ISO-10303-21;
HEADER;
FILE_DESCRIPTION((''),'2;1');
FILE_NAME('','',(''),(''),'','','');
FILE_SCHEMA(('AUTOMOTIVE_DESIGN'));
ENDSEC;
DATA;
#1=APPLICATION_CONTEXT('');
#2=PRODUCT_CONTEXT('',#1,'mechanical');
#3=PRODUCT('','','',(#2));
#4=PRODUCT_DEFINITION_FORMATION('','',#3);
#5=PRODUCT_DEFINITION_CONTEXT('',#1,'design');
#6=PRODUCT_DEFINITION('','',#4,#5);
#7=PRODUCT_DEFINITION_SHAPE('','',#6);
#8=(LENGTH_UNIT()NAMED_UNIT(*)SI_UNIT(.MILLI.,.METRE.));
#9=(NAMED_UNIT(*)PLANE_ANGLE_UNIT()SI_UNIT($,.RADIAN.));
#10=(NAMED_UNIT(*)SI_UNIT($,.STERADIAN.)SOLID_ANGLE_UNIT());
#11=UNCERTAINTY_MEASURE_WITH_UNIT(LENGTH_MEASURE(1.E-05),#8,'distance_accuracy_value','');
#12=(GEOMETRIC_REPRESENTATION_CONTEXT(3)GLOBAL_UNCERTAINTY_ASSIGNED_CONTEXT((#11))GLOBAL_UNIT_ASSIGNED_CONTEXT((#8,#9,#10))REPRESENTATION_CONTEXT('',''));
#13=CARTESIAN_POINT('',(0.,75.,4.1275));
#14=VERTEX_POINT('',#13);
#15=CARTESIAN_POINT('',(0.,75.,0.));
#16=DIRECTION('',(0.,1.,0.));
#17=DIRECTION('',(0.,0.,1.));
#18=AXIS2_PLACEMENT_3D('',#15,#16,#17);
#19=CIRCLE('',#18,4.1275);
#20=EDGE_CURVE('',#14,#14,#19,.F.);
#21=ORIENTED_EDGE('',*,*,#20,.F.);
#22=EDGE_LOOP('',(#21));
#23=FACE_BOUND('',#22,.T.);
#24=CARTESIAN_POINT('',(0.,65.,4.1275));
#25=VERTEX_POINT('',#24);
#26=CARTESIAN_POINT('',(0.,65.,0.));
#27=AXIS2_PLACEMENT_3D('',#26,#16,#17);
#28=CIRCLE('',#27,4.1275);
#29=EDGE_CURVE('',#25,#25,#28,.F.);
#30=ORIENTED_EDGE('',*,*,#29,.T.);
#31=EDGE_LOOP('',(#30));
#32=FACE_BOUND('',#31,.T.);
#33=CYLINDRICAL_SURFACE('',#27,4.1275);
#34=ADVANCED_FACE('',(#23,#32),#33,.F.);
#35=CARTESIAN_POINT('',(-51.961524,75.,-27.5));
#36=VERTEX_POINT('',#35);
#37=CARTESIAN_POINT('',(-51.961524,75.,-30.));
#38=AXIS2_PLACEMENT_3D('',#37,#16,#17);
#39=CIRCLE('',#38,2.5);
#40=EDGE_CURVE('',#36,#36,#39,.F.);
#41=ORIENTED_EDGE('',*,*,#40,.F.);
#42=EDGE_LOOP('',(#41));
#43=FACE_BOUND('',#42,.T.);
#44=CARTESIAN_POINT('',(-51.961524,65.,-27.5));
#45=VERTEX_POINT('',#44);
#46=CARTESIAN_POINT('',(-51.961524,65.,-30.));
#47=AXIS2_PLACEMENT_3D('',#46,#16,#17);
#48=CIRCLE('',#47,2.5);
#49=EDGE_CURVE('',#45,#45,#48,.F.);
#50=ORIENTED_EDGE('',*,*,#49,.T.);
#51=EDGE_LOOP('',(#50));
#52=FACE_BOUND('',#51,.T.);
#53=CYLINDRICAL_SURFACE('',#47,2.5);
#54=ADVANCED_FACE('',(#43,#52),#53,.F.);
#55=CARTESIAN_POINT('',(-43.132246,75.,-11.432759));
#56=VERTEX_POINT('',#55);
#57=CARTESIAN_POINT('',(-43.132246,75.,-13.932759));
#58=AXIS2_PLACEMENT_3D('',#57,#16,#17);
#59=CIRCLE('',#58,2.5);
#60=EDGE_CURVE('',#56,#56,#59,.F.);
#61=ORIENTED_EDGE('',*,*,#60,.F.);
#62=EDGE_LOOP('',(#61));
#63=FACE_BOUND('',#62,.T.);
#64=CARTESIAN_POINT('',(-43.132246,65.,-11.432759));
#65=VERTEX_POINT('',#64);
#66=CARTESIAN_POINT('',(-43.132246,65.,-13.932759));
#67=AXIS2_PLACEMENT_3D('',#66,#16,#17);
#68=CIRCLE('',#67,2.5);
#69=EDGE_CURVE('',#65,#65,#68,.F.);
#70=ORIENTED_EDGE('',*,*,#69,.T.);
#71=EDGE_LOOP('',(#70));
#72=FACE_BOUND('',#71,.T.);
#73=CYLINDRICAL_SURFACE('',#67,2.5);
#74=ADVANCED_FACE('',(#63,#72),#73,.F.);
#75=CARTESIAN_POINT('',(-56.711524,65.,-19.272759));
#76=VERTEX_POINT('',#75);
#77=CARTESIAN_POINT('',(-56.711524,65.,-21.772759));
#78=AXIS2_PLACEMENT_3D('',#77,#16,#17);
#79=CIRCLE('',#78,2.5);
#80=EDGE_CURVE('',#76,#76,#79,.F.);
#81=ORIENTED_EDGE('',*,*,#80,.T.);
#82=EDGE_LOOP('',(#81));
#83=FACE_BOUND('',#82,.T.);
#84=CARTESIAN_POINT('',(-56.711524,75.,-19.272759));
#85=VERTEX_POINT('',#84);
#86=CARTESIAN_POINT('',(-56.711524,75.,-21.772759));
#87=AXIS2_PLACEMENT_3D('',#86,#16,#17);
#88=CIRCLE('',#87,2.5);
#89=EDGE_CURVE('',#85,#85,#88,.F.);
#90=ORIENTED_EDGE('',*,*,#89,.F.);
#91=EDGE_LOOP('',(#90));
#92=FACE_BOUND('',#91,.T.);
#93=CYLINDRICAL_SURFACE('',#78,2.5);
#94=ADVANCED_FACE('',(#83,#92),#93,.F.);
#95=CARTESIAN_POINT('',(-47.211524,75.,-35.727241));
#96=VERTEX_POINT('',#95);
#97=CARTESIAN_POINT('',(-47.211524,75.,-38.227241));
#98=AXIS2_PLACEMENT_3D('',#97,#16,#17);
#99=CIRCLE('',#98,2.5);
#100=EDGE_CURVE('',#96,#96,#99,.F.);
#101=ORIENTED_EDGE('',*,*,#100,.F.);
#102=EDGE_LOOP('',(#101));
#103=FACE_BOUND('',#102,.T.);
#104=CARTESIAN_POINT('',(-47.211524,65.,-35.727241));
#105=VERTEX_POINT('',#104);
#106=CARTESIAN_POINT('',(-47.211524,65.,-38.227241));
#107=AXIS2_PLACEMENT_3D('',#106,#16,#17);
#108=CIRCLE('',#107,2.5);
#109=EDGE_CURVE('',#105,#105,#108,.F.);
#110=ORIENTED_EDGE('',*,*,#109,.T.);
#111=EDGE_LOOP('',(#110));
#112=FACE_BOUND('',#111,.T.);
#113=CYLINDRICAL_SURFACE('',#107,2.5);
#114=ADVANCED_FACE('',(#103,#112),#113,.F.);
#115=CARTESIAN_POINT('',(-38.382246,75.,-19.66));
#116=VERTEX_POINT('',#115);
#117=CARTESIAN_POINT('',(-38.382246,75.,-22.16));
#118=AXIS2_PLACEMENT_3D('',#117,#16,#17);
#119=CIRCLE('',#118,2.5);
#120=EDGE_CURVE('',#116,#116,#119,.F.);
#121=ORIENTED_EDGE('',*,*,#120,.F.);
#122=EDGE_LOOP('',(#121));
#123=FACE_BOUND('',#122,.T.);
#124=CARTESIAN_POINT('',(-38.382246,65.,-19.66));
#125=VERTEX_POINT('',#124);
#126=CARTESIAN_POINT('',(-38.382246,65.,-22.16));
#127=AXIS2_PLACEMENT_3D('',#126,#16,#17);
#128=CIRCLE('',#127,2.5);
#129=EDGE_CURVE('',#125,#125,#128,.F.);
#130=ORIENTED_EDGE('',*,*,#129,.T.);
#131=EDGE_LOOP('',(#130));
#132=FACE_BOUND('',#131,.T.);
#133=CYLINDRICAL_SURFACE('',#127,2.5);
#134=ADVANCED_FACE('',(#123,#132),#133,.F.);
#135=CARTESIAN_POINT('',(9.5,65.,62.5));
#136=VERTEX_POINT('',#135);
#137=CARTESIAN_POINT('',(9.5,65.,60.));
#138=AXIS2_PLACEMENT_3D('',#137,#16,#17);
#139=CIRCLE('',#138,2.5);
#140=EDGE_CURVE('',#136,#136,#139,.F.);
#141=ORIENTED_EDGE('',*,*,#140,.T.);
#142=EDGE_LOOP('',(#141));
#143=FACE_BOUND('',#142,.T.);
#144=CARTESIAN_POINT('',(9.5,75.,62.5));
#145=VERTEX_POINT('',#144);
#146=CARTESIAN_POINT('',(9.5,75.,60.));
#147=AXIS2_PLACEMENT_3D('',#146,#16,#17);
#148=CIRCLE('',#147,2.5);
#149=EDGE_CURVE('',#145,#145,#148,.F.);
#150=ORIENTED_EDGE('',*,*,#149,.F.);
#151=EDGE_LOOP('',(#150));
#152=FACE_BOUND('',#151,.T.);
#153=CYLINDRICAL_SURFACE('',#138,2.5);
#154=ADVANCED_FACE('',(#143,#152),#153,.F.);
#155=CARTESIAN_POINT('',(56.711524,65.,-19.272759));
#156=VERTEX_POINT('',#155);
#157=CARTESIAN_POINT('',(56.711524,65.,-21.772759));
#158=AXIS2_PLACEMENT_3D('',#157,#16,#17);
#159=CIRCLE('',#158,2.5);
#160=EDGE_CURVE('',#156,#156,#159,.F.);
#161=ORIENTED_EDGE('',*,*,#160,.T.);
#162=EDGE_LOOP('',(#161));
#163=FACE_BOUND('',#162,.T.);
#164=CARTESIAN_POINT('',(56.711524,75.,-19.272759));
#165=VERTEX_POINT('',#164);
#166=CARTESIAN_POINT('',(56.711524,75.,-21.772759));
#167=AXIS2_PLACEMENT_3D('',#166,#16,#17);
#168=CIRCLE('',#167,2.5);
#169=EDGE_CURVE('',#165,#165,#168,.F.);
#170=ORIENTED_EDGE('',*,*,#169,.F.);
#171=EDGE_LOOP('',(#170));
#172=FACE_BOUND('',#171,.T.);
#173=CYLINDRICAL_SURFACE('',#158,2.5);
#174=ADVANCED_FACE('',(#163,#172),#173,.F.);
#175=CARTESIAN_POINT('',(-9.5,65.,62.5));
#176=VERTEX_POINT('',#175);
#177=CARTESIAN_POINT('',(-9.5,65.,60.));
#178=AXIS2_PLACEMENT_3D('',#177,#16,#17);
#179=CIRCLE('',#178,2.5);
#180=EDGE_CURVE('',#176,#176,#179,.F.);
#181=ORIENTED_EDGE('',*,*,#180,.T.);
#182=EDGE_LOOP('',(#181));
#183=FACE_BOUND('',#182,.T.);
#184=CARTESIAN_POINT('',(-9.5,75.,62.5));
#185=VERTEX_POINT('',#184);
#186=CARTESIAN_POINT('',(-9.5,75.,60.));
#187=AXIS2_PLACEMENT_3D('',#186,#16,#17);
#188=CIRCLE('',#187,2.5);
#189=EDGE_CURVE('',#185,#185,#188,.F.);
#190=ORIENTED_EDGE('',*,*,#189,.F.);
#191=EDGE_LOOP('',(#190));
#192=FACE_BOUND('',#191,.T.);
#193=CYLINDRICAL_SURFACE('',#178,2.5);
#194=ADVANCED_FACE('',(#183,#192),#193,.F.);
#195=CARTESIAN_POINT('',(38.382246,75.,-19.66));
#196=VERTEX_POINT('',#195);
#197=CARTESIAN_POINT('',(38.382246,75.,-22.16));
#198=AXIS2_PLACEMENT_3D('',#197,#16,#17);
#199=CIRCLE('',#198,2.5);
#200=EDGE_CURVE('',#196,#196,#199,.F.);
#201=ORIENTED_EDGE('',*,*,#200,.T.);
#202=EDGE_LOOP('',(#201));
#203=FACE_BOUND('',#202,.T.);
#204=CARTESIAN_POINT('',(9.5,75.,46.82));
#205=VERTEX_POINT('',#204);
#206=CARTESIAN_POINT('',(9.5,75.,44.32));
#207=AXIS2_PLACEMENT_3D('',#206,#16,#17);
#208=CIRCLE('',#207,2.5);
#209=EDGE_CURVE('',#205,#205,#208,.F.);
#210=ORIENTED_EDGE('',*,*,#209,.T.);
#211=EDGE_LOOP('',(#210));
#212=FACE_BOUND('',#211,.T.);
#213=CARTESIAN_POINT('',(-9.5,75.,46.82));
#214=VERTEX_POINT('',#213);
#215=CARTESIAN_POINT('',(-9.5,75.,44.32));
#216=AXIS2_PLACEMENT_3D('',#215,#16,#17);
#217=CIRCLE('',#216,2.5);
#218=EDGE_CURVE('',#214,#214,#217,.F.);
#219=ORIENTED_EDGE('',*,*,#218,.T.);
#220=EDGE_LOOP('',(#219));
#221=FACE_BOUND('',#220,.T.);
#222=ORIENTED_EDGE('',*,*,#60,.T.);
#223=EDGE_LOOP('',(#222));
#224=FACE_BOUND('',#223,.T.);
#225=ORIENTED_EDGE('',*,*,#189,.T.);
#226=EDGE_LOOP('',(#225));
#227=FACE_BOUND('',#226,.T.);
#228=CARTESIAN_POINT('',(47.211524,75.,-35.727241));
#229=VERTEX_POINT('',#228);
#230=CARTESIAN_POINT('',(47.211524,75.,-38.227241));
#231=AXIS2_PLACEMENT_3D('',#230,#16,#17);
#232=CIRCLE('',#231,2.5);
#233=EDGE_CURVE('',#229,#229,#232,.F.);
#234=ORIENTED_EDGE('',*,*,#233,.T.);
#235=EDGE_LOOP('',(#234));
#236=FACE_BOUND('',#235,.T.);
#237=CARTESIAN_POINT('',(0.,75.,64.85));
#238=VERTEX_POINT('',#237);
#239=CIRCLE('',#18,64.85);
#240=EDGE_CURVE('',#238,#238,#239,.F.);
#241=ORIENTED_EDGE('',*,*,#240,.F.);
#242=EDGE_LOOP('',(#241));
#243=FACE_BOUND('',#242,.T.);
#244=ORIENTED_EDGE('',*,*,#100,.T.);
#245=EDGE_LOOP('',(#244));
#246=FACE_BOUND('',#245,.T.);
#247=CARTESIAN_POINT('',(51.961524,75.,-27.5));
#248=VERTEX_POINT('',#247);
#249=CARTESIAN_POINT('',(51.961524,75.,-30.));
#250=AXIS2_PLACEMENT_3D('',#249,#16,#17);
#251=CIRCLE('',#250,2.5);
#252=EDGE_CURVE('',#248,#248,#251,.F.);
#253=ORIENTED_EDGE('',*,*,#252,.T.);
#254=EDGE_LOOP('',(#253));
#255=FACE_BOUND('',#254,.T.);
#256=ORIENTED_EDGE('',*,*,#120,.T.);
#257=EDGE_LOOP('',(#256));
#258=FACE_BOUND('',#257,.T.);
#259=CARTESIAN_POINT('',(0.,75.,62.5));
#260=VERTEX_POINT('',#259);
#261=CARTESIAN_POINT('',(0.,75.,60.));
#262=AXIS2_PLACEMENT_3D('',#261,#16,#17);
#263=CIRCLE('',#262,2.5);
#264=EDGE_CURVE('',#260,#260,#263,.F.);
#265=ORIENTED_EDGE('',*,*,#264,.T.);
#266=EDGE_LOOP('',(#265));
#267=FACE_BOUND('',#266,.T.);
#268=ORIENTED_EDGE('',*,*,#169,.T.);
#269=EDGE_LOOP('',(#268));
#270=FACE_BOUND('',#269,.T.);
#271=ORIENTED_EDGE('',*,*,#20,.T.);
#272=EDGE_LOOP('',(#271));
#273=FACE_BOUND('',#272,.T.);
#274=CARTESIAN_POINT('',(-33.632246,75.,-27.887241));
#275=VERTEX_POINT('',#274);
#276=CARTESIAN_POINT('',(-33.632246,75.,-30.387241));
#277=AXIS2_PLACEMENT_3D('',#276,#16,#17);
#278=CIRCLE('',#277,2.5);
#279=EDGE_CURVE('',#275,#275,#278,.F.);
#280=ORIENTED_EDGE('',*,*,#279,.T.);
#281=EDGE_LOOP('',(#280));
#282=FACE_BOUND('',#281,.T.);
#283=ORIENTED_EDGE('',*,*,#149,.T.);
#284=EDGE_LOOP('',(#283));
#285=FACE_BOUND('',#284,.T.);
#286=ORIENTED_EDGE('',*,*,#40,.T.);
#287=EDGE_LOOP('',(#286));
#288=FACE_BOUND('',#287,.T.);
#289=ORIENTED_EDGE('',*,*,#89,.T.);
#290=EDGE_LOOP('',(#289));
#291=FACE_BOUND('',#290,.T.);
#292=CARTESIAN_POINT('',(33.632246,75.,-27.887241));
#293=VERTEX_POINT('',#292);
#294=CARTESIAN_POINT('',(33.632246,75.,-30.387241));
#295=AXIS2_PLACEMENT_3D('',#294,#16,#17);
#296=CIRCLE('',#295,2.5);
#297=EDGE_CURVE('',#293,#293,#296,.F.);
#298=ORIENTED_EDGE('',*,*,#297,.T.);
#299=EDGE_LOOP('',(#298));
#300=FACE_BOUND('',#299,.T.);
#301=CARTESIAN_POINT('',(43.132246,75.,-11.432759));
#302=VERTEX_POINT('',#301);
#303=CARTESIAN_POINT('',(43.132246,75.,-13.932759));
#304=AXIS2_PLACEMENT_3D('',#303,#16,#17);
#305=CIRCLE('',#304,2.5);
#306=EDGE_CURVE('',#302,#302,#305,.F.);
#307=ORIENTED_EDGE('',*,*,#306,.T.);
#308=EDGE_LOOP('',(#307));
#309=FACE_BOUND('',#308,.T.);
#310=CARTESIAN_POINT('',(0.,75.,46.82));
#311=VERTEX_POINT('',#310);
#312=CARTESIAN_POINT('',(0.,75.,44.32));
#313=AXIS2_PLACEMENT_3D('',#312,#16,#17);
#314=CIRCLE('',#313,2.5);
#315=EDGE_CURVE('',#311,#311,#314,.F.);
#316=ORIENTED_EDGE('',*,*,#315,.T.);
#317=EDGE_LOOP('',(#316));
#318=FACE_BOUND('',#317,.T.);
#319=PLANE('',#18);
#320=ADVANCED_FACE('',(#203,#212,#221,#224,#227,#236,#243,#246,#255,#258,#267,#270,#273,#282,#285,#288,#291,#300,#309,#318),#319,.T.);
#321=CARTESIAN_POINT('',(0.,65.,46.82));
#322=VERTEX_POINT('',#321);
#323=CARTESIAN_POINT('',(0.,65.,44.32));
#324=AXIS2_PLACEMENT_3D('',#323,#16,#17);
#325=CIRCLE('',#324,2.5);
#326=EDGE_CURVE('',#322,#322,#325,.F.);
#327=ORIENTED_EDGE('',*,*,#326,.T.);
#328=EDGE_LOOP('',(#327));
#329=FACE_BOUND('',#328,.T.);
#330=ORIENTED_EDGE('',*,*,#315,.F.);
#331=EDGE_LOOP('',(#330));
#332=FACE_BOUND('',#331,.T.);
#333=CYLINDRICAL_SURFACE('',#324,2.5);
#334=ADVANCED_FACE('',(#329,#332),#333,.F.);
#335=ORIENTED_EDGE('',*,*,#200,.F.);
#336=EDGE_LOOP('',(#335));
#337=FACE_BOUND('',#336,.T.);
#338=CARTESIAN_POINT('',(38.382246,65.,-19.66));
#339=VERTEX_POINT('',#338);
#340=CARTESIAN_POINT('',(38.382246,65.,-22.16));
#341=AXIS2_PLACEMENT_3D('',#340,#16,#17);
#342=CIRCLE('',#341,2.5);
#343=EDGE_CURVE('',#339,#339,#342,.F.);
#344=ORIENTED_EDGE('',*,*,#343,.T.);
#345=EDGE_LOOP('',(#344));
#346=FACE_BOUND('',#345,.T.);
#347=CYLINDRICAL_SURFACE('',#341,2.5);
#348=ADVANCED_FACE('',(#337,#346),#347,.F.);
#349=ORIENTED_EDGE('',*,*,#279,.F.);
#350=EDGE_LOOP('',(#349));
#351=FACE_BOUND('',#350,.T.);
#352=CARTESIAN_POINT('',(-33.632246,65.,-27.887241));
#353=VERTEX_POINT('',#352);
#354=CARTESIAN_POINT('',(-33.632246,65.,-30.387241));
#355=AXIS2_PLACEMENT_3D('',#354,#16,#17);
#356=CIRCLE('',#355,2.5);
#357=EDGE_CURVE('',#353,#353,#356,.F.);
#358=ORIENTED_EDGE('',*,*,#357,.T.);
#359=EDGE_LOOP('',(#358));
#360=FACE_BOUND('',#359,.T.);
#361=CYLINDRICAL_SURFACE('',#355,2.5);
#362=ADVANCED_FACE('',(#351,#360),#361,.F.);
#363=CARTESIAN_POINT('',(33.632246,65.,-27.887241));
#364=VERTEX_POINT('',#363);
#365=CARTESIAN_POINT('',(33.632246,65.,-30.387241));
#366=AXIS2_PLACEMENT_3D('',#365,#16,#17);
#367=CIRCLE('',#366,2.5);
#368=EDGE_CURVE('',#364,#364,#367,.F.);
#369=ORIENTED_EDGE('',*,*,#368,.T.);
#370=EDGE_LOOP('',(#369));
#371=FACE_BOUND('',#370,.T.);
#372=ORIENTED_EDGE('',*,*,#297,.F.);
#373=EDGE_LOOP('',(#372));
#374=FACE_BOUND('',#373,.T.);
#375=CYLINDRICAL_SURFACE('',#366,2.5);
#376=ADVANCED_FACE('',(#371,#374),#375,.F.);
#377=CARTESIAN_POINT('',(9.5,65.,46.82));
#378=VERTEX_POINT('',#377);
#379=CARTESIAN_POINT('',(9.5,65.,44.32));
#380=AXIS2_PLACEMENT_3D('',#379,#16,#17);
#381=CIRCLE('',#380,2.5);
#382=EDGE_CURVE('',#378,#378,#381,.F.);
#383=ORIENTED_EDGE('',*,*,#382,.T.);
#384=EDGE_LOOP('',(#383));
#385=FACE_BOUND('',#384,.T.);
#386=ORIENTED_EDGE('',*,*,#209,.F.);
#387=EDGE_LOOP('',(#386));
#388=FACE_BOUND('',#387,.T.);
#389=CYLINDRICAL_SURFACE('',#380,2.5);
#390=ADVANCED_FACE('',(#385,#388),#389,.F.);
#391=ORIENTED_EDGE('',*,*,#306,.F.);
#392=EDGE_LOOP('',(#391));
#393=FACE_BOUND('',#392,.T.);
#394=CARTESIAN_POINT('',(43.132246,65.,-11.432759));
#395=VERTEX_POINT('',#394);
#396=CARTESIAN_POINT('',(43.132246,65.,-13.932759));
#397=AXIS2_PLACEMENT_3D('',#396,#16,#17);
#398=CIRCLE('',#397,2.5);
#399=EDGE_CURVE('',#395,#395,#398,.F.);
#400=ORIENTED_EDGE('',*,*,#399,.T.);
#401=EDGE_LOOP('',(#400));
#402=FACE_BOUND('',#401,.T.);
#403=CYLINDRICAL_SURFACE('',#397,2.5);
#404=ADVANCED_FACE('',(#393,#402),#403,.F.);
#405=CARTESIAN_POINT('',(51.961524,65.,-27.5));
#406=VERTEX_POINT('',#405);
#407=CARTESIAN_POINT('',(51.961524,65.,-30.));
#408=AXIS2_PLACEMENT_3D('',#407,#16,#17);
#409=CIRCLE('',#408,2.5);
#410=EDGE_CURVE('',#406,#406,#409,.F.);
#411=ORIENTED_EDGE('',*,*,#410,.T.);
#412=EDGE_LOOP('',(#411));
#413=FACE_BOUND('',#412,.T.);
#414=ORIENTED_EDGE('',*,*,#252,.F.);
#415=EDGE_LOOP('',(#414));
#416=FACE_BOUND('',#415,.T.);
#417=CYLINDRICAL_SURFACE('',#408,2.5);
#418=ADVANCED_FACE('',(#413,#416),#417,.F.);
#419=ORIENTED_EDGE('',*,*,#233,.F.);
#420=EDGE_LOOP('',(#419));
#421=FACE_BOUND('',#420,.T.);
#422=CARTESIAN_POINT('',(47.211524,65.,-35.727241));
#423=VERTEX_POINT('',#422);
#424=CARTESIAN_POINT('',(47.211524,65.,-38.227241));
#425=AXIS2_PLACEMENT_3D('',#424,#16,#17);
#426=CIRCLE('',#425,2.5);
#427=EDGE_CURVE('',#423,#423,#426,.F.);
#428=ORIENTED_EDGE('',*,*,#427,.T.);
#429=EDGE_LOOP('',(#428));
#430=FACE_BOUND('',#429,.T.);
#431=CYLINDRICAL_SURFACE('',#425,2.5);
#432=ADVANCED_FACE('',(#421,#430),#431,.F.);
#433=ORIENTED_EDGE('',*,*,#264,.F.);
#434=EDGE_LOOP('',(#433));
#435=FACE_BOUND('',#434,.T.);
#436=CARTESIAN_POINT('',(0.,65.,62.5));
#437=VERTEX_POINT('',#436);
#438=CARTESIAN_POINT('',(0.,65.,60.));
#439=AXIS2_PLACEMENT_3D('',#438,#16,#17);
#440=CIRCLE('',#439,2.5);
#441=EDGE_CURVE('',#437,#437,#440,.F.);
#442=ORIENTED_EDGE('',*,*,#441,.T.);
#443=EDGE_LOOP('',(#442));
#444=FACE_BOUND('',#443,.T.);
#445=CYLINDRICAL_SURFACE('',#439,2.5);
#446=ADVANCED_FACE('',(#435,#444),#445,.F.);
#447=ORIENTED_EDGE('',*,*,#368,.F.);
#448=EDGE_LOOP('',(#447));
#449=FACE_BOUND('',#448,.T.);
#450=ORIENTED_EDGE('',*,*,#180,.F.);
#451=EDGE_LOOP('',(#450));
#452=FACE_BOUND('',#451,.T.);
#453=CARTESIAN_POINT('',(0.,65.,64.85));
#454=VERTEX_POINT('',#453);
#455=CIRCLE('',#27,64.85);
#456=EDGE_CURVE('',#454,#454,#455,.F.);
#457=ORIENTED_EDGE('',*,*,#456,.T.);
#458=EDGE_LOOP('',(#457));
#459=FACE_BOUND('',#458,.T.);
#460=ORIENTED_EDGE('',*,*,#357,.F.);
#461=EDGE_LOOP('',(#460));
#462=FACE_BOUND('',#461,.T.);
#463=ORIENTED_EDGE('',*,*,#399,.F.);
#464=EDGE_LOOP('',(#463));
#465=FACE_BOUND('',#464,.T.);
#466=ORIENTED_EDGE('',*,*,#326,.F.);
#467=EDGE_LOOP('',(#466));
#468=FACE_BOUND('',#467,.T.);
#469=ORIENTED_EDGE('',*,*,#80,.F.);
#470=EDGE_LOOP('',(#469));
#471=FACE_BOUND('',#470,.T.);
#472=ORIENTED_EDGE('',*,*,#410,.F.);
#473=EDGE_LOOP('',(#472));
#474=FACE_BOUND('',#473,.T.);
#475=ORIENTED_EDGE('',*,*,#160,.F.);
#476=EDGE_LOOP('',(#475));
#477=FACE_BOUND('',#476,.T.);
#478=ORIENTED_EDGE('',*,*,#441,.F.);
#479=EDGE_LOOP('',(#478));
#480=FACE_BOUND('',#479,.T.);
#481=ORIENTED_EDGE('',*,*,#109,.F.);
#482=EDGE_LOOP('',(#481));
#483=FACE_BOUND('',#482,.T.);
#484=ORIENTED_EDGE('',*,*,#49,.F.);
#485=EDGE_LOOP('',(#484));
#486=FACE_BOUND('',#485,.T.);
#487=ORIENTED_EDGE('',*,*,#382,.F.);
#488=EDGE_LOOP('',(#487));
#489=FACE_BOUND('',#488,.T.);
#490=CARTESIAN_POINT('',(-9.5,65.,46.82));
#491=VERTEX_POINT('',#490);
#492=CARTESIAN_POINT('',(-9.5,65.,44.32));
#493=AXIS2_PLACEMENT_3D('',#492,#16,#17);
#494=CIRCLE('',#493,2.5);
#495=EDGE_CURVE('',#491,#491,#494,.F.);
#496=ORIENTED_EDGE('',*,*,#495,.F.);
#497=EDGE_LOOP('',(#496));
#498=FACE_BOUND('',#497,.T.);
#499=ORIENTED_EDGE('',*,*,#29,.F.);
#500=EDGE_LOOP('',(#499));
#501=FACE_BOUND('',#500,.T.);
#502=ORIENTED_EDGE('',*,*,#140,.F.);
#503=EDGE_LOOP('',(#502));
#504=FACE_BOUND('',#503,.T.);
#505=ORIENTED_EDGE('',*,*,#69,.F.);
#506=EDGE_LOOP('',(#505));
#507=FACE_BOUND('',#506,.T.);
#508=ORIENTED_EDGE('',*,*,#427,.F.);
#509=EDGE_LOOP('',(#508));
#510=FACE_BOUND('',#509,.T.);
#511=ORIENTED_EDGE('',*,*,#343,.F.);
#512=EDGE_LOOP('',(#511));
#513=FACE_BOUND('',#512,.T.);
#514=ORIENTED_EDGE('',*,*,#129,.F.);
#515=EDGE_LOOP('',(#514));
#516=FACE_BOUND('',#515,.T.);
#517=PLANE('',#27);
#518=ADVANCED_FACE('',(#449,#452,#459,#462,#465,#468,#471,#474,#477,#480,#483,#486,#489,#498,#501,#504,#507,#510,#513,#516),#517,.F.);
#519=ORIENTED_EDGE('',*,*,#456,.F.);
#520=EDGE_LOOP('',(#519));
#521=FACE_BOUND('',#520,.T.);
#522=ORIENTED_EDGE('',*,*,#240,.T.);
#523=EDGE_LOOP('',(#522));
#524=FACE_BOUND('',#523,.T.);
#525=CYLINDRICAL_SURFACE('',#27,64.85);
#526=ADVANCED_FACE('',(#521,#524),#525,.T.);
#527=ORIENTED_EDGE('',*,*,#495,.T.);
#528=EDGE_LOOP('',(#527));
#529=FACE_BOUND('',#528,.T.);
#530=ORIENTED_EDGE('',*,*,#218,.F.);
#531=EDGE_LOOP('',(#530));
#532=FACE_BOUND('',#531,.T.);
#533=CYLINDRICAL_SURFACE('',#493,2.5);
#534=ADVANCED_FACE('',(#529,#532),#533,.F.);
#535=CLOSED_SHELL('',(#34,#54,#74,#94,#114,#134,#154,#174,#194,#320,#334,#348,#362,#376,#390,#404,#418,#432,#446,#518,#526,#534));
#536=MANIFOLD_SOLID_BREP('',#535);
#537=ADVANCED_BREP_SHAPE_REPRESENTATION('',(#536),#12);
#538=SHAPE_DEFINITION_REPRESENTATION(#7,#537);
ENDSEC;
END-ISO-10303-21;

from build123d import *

# Parameters (mm, degrees)
SKETCH16_R          = 64.85
SKETCH16_R_2        = 2.5
SKETCH16_R_3        = 4.1275
BOSS_EXTRUDE1_DEPTH = 10


with BuildPart() as part:
    # Sketch16 → Boss-Extrude1 (new body)
    with BuildSketch(Plane.XZ.offset(-75)):
        with Locations(Location((0, 0, 0), (0, 0, 90))):
            Circle(SKETCH16_R)
        with Locations(Location((38.382245896, -22.16, 0), (0, 0, 90))):
            Circle(SKETCH16_R_2, mode=Mode.SUBTRACT)
        with Locations(Location((51.961524227, -30, 0), (0, 0, 90))):
            Circle(SKETCH16_R_2, mode=Mode.SUBTRACT)
        with Locations(Location((-43.132245896, -13.932758664, 0), (0, 0, 90))):
            Circle(SKETCH16_R_2, mode=Mode.SUBTRACT)
        with Locations(Location((-38.382245896, -22.16, 0), (0, 0, 90))):
            Circle(SKETCH16_R_2, mode=Mode.SUBTRACT)
        with Locations(Location((-51.961524227, -30, 0), (0, 0, 90))):
            Circle(SKETCH16_R_2, mode=Mode.SUBTRACT)
        with Locations(Location((0, 44.32, 0), (0, 0, 90))):
            Circle(SKETCH16_R_2, mode=Mode.SUBTRACT)
        with Locations(Location((0, 60, 0), (0, 0, 90))):
            Circle(SKETCH16_R_2, mode=Mode.SUBTRACT)
        with Locations(Location((-33.632245896, -30.387241336, 0), (0, 0, 90))):
            Circle(SKETCH16_R_2, mode=Mode.SUBTRACT)
        with Locations(Location((-47.211524227, -38.227241336, 0), (0, 0, 90))):
            Circle(SKETCH16_R_2, mode=Mode.SUBTRACT)
        with Locations(Location((-56.711524227, -21.772758664, 0), (0, 0, 90))):
            Circle(SKETCH16_R_2, mode=Mode.SUBTRACT)
        with Locations(Location((9.5, 44.32, 0), (0, 0, 90))):
            Circle(SKETCH16_R_2, mode=Mode.SUBTRACT)
        with Locations(Location((-9.5, 44.32, 0), (0, 0, 90))):
            Circle(SKETCH16_R_2, mode=Mode.SUBTRACT)
        with Locations(Location((-9.5, 60, 0), (0, 0, 90))):
            Circle(SKETCH16_R_2, mode=Mode.SUBTRACT)
        with Locations(Location((9.5, 60, 0), (0, 0, 90))):
            Circle(SKETCH16_R_2, mode=Mode.SUBTRACT)
        with Locations(Location((33.632245896, -30.387241336, 0), (0, 0, 90))):
            Circle(SKETCH16_R_2, mode=Mode.SUBTRACT)
        with Locations(Location((43.132245896, -13.932758664, 0), (0, 0, 90))):
            Circle(SKETCH16_R_2, mode=Mode.SUBTRACT)
        with Locations(Location((56.711524227, -21.772758664, 0), (0, 0, 90))):
            Circle(SKETCH16_R_2, mode=Mode.SUBTRACT)
        with Locations(Location((47.211524227, -38.227241336, 0), (0, 0, 90))):
            Circle(SKETCH16_R_2, mode=Mode.SUBTRACT)
        with Locations(Location((0, 0, 0), (0, 0, 90))):
            Circle(SKETCH16_R_3, mode=Mode.SUBTRACT)
    extrude(amount=BOSS_EXTRUDE1_DEPTH)


solid = part.part
